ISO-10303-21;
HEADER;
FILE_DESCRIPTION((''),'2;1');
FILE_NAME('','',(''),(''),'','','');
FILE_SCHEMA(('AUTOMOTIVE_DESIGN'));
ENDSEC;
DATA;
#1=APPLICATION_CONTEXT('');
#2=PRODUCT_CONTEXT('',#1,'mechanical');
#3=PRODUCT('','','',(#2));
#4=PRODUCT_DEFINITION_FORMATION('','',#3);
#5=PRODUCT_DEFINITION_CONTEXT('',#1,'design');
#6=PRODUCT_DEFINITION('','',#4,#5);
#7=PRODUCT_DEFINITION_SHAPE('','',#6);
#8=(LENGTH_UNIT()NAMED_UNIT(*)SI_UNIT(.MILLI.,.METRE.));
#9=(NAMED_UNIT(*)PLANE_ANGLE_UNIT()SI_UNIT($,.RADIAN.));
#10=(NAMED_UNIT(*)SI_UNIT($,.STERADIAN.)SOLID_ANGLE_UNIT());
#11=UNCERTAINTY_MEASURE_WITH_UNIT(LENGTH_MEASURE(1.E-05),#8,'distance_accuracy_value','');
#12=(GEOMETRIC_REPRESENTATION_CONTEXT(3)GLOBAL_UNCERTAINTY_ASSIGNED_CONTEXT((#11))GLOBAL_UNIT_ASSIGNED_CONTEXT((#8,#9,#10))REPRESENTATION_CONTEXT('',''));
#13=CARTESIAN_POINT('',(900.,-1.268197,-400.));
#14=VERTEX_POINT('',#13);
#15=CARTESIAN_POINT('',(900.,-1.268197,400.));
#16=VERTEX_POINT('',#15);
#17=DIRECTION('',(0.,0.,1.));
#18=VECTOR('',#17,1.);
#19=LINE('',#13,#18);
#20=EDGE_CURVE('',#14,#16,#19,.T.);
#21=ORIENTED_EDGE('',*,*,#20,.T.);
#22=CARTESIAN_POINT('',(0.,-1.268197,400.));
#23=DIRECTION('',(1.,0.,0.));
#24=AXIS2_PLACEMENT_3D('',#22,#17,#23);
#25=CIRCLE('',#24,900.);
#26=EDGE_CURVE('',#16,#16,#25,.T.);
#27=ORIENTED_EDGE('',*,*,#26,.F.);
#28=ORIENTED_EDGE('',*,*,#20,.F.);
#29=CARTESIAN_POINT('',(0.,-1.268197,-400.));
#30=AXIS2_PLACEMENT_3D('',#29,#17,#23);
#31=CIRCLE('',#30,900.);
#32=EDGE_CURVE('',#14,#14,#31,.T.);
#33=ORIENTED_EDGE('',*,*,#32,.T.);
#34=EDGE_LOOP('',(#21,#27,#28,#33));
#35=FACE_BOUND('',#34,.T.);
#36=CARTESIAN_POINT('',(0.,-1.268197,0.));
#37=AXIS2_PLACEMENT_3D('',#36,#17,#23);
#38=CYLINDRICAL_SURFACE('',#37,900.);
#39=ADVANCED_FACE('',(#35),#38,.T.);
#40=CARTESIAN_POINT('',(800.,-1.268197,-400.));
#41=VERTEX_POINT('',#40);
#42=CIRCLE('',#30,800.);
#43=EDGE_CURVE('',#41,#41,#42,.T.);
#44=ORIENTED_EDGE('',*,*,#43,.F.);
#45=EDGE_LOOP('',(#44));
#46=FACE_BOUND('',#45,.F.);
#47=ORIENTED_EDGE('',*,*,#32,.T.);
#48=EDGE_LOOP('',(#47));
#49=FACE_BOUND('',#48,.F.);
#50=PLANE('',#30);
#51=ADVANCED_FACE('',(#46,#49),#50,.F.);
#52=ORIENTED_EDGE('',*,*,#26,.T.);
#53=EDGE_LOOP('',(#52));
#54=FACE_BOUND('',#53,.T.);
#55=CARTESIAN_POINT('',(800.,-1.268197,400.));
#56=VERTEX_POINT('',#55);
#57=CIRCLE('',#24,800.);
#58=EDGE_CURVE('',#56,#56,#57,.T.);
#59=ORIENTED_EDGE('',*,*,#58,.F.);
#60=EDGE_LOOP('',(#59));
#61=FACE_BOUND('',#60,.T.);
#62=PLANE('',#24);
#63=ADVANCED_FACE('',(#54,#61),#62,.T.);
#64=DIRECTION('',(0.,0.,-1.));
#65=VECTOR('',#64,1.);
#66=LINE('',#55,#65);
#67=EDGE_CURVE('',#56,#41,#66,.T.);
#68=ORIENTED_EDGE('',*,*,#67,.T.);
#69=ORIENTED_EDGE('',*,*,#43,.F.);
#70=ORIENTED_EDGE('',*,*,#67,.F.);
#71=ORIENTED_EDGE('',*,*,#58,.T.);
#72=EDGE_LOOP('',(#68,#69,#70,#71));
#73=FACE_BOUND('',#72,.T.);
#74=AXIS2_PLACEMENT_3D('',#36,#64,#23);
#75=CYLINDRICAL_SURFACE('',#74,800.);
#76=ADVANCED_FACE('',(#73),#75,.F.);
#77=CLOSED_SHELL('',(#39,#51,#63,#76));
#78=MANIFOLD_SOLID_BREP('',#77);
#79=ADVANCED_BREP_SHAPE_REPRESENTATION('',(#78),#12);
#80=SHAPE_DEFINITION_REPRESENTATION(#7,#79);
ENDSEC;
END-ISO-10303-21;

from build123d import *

# Parameters (mm, degrees)
F0_R     = 900
F0_R_2   = 800
F1_DEPTH = 400


with BuildPart() as f1:
    # F0 (on Top) → F1 (new body, symmetric)
    with BuildSketch(Plane.XY):
        with Locations((0, -1.268197)):
            Circle(F0_R)
        with Locations((0, -1.268197)):
            Circle(F0_R_2, mode=Mode.SUBTRACT)
    extrude(amount=F1_DEPTH, both=True)


solid = f1.part
